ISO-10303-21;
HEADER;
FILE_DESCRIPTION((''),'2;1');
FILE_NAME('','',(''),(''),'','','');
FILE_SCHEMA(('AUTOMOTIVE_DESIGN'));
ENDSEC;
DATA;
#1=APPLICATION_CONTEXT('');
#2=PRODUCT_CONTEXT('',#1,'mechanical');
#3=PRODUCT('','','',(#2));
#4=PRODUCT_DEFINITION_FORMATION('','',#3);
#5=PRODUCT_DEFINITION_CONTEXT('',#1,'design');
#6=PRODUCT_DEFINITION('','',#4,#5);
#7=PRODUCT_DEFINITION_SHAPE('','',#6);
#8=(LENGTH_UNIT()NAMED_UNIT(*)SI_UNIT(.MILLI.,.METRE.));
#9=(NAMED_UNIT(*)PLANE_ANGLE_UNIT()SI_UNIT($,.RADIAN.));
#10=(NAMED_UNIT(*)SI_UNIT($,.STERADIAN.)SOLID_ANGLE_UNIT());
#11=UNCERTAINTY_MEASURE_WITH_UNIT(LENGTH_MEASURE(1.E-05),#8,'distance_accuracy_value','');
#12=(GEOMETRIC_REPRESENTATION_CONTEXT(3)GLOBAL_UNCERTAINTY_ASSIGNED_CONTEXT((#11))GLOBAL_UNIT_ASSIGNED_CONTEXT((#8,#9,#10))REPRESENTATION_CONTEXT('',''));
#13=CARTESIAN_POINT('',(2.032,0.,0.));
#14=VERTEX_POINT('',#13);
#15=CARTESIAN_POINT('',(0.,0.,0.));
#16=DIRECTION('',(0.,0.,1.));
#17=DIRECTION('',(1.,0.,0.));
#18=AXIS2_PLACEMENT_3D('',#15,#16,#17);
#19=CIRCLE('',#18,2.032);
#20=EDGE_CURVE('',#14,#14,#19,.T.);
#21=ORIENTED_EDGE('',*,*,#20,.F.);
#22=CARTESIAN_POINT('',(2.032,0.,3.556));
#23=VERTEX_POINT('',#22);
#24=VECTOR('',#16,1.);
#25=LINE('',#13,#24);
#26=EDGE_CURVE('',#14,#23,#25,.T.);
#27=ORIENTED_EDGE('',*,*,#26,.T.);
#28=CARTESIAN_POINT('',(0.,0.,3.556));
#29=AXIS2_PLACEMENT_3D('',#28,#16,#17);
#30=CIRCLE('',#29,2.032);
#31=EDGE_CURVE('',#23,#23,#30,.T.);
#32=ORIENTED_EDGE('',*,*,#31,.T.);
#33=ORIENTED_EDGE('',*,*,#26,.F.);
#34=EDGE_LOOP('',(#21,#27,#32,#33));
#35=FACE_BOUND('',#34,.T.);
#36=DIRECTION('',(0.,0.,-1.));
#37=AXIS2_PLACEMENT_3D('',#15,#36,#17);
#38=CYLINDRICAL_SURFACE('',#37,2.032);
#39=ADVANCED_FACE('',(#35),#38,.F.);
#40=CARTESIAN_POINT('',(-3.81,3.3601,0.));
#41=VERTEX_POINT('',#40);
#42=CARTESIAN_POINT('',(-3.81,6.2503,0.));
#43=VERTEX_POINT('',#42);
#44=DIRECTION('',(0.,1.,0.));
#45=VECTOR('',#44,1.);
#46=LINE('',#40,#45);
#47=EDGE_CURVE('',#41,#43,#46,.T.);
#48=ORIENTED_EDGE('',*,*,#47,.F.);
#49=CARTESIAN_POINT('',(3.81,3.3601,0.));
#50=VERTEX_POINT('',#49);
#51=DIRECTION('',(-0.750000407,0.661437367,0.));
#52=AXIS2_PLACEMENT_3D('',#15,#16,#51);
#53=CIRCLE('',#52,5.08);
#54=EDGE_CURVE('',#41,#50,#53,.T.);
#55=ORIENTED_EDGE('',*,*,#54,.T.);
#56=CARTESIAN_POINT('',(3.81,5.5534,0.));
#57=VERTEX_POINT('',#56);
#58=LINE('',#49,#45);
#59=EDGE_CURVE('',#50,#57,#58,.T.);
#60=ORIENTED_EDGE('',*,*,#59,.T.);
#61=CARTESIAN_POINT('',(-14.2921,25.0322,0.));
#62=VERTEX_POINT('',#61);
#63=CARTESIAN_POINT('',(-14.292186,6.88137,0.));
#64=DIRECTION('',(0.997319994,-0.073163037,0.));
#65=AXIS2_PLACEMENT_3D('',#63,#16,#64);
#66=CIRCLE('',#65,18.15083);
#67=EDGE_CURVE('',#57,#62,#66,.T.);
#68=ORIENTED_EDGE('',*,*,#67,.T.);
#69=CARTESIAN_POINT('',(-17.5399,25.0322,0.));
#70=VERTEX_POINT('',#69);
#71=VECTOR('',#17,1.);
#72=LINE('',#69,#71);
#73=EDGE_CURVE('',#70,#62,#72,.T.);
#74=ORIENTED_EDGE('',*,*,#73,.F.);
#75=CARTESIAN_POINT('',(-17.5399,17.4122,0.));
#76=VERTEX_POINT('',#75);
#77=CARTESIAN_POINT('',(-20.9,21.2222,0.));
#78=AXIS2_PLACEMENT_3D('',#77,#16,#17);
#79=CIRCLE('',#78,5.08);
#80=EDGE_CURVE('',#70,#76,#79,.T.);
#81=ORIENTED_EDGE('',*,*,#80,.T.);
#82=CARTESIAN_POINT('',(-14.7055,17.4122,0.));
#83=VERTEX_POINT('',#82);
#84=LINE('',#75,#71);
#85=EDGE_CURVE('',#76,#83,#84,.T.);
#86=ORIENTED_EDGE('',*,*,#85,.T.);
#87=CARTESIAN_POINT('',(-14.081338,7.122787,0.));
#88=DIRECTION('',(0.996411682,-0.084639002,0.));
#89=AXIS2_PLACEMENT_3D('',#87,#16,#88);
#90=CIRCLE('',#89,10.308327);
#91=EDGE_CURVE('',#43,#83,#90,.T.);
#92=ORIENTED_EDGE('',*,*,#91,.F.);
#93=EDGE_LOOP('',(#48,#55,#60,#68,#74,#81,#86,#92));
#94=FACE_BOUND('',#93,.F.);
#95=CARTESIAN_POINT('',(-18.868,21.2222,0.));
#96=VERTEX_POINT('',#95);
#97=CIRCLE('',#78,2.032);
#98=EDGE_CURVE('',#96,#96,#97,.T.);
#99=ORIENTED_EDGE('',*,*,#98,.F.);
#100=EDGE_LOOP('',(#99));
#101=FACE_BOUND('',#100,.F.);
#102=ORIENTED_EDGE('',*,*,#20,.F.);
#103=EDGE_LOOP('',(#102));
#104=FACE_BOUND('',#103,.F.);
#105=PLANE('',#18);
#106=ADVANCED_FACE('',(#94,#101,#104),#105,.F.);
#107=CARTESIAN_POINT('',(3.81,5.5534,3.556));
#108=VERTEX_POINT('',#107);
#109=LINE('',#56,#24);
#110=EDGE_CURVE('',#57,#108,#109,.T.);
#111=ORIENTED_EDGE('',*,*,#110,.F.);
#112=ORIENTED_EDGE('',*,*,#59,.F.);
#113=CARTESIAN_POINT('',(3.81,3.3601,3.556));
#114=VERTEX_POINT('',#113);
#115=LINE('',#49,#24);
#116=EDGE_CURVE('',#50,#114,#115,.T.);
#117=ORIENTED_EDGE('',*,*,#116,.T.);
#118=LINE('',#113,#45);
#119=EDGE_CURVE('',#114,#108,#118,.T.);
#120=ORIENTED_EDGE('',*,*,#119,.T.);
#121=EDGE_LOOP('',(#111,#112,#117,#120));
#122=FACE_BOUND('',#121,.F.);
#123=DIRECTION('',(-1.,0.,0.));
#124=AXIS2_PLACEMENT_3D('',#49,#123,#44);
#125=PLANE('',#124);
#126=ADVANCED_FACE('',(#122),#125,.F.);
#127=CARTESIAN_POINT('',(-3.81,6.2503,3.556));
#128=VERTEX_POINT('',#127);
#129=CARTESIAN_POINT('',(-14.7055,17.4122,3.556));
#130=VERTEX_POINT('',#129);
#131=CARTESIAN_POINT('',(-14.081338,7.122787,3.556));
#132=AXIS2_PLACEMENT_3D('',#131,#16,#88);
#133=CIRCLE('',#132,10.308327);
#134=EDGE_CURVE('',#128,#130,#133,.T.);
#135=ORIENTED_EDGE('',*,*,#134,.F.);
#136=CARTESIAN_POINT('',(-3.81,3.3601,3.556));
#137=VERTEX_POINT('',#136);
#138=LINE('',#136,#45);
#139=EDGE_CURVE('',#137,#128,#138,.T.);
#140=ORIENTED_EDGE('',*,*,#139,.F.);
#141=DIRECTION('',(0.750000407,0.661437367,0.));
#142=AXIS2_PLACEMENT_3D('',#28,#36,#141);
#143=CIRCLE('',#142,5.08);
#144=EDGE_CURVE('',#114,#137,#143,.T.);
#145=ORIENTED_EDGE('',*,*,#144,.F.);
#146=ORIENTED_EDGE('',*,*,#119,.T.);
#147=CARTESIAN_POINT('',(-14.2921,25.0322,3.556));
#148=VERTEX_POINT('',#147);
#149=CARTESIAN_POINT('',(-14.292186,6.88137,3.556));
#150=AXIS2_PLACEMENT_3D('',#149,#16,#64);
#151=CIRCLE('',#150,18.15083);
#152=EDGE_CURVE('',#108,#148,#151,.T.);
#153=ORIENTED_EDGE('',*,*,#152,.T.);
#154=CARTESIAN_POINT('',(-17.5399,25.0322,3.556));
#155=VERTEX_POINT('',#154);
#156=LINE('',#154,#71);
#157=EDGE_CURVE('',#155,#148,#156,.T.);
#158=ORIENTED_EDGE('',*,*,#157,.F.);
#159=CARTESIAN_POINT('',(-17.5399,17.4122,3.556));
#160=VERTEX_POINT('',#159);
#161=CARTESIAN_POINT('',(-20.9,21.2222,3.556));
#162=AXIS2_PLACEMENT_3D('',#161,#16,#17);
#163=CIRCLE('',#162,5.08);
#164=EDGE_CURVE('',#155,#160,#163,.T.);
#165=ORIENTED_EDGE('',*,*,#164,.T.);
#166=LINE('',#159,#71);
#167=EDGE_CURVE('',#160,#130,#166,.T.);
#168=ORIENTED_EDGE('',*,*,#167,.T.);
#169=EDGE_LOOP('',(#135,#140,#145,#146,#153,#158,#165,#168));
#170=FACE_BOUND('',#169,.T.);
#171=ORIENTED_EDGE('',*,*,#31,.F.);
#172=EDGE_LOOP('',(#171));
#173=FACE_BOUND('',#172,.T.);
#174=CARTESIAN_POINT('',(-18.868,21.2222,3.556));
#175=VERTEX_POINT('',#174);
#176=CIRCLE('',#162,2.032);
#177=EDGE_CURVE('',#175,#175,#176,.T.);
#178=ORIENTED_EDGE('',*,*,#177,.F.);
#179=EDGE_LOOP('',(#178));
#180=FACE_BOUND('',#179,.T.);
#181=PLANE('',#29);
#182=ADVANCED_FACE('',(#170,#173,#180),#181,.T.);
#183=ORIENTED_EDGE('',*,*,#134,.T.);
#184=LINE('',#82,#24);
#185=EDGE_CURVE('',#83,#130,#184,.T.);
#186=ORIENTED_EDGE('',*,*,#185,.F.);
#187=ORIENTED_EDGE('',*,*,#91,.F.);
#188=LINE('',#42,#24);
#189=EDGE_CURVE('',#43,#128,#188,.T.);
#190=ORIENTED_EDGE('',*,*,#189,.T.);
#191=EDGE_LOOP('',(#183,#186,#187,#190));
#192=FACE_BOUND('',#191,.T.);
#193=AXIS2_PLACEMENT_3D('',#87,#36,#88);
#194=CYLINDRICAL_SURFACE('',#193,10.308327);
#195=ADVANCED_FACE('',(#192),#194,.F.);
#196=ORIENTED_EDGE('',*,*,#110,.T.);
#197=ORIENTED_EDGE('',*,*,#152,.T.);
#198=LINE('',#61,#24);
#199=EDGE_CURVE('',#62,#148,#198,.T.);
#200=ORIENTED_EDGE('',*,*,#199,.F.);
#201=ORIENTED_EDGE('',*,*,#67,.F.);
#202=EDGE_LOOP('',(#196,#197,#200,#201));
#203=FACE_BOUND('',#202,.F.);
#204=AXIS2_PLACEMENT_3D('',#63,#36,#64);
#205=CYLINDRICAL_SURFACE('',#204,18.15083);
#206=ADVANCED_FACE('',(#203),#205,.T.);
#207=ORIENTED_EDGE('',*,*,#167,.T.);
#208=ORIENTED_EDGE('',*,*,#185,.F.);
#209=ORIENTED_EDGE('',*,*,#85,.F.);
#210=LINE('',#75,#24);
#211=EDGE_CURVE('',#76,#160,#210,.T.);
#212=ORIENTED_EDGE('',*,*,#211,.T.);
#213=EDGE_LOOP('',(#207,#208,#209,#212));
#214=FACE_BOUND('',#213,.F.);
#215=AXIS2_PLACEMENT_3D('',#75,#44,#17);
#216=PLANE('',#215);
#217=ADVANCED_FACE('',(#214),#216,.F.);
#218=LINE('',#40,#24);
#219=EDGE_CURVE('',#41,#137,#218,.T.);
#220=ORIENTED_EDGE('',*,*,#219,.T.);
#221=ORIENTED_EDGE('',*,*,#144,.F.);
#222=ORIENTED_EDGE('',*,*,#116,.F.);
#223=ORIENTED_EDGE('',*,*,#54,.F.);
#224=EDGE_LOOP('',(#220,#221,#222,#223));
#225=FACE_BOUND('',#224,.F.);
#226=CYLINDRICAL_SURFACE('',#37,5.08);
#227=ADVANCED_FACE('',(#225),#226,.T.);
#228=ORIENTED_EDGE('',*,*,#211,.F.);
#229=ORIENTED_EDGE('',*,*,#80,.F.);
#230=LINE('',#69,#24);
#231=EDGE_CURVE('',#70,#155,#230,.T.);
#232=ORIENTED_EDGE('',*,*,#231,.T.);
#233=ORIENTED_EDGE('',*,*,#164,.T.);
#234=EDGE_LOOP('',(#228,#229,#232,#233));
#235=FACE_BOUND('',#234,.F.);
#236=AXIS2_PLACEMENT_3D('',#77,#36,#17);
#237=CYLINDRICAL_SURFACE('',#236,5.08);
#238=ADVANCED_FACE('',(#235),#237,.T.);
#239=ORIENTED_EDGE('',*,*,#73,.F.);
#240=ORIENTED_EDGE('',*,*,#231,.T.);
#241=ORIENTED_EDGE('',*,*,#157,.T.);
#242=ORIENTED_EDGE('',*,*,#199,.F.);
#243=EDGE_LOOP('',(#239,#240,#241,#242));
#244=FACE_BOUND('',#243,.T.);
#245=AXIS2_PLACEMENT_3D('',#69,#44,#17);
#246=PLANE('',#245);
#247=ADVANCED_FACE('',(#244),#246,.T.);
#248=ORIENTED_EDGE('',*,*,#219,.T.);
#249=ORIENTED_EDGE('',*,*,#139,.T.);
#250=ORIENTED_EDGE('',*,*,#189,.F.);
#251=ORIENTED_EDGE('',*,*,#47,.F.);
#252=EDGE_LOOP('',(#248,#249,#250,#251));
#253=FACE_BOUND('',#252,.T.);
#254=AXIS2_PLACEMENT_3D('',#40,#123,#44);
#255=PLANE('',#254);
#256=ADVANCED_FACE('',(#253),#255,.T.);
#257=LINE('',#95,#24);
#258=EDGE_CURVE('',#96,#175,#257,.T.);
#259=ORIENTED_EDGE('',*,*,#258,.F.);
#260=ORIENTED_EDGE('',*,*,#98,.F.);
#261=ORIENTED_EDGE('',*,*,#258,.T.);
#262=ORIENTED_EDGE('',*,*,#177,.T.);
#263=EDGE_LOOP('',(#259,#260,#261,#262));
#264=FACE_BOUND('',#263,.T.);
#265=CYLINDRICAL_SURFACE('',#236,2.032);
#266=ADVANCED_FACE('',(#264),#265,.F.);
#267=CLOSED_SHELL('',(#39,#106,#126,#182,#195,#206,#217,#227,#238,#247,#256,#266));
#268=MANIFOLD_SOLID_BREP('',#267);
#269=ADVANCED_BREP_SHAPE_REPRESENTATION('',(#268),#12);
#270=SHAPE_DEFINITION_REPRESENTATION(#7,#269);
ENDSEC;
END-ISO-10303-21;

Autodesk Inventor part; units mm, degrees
ref_plane "YZ Plane" through (0, 0, 0) normal (1, 0, 0) x (0, 1, 0)
ref_plane "XZ Plane" through (0, 0, 0) normal (0, 1, 0) x (-1, 0, 0)
ref_plane "XY Plane" through (0, 0, 0) normal (0, 0, 1) x (1, 0, 0)
sketch "Sketch1" plane through (0, 0, 0) normal (0, 0, 1) x (1, 0, 0)
  circle A0 centre (0, 0) radius 2.032
  circle A1 centre (0, 0) radius 5.08
  line L0 (3.81, 3.3601) -> (3.81, 5.5534)
  line L1 (-3.81, 3.3601) -> (-3.81, 6.2503)
  circle A2 centre (-20.9, 21.2222) radius 2.032
  circle A3 centre (-20.9, 21.2222) radius 5.08
  line L2 (-17.5399, 25.0322) -> (-14.2921, 25.0322)
  line L3 (-17.5399, 17.4122) -> (-14.7055, 17.4122)
  arc A4 (-3.81, 6.2503) -> (-14.7055, 17.4122) centre (-14.0813, 7.1228) ccw
  arc A5 (3.81, 5.5534) -> (-14.2921, 25.0322) centre (-14.2921, 6.8814) ccw
  point P0 (-3.81, 4.8052)
  dimension "d0" = 4.064
  dimension "d1" = 10.16
  dimension "d2" = 7.62
  dimension "d3" = 3.81
  dimension "d4" = 4.064
  dimension "d5" = 10.16
  dimension "d6" = 7.62
  dimension "d7" = 3.81
extrude "Extrusion1" add sketch "Sketch1" along normal blind 3.556
equation "\"d3\" = 0.5 * d2"
equation "\"d7\" = 0.5 * d6"
properties part number "Push Arm"
